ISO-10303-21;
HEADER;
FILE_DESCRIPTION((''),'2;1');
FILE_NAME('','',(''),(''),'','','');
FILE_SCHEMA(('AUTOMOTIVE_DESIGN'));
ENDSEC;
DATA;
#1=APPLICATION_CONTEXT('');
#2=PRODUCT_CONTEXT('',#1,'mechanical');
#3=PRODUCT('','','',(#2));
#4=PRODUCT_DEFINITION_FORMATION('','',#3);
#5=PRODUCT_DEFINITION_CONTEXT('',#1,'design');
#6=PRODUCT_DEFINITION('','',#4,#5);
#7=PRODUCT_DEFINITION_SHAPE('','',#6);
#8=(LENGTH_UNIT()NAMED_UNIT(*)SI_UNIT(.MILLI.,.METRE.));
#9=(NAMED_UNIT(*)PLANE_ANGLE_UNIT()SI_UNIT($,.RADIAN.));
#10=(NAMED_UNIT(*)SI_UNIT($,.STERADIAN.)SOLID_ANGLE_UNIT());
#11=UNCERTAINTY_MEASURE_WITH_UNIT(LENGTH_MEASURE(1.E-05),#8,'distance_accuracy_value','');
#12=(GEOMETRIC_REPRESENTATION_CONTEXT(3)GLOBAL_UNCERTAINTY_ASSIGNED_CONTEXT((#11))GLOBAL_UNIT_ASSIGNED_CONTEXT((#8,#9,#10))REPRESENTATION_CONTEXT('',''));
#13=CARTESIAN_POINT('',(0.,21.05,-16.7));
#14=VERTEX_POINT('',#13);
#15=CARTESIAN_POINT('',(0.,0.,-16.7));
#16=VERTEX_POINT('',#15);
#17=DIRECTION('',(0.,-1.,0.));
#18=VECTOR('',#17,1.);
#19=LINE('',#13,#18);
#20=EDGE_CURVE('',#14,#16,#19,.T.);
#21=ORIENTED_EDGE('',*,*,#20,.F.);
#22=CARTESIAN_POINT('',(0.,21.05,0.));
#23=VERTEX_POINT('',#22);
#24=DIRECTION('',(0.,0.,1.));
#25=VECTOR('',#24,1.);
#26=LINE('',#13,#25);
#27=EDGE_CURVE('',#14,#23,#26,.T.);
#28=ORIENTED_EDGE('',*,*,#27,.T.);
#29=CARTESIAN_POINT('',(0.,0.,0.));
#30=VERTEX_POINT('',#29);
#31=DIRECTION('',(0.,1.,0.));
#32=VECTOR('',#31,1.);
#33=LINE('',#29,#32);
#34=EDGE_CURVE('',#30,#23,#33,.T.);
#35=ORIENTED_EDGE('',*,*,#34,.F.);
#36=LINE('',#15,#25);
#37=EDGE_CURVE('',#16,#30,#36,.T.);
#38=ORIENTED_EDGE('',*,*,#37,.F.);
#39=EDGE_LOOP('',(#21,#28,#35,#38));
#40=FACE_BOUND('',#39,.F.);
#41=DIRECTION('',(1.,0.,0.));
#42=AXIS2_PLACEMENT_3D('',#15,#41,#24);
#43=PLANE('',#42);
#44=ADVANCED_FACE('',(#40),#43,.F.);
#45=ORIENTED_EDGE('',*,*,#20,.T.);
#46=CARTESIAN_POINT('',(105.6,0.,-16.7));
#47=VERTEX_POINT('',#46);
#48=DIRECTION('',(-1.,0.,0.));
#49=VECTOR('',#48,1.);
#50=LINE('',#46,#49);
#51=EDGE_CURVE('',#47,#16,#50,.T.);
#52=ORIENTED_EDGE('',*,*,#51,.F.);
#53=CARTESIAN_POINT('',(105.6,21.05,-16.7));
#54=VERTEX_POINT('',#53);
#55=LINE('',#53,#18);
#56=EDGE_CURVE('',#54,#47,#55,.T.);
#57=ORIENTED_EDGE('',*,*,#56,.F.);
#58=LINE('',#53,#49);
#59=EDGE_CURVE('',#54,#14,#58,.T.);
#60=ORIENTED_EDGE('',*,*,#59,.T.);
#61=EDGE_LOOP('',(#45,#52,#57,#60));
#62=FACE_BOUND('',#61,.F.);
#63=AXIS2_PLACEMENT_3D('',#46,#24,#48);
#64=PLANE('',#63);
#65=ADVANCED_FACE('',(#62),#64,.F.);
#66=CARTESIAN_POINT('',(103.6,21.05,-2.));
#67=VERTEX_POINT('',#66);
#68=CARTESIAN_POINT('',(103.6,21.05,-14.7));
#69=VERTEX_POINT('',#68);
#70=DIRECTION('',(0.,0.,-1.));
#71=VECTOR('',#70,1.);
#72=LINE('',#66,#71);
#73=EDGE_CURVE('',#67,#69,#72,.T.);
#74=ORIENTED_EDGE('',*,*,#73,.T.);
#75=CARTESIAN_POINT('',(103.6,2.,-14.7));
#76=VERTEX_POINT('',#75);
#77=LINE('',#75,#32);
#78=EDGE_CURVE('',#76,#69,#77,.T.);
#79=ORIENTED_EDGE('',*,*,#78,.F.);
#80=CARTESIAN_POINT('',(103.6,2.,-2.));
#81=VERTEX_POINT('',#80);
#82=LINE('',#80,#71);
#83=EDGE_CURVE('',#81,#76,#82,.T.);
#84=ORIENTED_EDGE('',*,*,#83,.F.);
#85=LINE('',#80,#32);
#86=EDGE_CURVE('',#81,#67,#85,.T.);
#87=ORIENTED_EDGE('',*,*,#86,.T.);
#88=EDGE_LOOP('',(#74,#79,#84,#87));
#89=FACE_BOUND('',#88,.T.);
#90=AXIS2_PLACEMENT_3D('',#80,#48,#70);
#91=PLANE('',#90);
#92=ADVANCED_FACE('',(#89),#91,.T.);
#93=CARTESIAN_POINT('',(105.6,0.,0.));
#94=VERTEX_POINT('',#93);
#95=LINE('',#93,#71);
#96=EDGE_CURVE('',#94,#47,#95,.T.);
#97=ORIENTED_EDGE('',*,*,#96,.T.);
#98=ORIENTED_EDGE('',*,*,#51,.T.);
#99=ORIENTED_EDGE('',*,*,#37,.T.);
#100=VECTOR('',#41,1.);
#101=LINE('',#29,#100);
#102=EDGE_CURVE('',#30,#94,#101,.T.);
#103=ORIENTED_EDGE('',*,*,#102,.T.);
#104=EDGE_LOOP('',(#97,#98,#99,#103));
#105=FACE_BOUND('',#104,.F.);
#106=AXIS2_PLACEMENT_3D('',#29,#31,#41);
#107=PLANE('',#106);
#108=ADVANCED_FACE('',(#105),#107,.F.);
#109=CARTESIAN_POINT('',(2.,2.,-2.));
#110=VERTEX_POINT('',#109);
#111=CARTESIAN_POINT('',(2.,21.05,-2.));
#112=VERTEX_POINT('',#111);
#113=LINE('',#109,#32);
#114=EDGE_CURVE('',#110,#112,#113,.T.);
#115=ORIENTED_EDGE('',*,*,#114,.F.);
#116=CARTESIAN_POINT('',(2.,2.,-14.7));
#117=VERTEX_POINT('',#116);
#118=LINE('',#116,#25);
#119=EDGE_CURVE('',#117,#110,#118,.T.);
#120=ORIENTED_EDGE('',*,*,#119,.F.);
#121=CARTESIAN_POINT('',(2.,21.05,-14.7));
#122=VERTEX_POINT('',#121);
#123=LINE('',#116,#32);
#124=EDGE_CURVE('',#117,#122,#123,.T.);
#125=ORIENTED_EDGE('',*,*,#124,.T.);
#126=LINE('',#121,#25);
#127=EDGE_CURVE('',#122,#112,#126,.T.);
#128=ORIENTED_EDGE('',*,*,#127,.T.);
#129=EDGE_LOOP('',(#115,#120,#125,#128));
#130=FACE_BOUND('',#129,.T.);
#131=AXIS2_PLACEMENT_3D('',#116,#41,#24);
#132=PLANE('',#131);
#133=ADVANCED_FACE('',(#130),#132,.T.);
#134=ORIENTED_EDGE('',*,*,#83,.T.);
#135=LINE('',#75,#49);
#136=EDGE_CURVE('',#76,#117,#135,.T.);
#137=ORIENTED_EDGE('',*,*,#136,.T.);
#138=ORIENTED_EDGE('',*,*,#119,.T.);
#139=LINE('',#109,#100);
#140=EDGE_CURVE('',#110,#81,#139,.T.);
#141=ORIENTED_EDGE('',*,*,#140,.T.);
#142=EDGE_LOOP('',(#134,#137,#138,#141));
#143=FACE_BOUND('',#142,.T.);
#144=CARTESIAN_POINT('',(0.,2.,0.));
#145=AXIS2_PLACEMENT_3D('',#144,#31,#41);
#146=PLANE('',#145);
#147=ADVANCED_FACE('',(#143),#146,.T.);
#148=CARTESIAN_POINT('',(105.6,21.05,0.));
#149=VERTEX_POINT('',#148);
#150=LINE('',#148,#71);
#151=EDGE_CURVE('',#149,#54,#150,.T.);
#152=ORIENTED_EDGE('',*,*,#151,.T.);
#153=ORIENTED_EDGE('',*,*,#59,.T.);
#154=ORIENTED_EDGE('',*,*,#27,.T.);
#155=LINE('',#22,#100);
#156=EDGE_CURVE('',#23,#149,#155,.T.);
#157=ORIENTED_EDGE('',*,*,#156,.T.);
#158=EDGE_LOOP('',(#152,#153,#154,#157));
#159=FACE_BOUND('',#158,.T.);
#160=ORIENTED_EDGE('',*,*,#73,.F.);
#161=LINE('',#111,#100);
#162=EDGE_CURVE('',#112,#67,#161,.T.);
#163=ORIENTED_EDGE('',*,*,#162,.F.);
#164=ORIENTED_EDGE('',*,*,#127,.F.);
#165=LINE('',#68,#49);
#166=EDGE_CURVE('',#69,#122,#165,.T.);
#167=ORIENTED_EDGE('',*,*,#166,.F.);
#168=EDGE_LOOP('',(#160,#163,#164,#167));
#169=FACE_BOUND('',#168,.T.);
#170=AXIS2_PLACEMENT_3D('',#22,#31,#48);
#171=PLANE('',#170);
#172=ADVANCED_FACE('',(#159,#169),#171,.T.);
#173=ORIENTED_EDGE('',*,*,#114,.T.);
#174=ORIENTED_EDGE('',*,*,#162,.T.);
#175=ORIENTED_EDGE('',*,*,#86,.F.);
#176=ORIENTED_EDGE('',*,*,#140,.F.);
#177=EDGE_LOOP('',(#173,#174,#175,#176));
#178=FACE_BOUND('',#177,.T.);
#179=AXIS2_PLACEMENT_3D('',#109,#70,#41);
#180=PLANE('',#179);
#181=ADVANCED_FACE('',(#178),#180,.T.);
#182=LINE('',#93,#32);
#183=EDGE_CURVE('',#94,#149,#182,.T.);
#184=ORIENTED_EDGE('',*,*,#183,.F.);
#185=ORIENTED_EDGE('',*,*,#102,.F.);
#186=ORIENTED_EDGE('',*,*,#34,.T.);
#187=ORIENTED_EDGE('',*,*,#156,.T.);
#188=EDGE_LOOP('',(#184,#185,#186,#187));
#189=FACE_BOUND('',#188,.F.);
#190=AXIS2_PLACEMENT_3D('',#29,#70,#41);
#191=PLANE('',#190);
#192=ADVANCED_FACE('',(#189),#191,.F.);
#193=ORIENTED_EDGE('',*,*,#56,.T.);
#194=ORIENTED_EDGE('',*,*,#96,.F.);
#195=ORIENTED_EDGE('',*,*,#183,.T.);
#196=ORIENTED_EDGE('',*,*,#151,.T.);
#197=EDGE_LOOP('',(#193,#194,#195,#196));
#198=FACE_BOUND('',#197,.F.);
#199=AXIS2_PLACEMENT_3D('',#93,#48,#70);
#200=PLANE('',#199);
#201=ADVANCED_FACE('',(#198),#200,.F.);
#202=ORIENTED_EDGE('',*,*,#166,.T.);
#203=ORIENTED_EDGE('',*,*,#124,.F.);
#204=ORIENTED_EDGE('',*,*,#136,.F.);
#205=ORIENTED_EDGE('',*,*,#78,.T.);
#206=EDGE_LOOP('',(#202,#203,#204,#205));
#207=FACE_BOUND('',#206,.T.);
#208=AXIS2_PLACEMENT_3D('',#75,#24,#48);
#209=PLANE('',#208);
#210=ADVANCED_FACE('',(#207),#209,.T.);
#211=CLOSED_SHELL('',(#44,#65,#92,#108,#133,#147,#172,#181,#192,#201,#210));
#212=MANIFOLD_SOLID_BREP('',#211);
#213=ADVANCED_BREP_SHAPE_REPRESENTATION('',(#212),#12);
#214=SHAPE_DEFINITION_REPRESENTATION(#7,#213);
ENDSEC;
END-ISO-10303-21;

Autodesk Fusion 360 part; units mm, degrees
sketch "Sketch1" plane through (0, 0, 0) normal (0, 1, 0) x (1, 0, 0)
  line L0 (0, 0) -> (105.6, 0)
  line L1 (105.6, 0) -> (105.6, 16.7)
  line L2 (105.6, 16.7) -> (0, 16.7)
  line L3 (0, 16.7) -> (0, 0)
  dimension "d1" = 105.6
  dimension "d2" = 16.7
extrude "Extrude1" add sketch "Sketch1" along normal blind 2
sketch "Sketch2" plane through (0, 2, 0) normal (0, 1, 0) x (-1, 0, 0)
  line L0 (0, -16.7) -> (0, 0)
  line L1 (0, 0) -> (-105.6, 0)
  line L2 (-105.6, 0) -> (-105.6, -16.7)
  line L3 (-105.6, -16.7) -> (0, -16.7)
  line L4 (0, 0) -> (-105.6, 0)
  line L5 (-105.6, 0) -> (-105.6, -16.7)
  line L6 (-105.6, -16.7) -> (0, -16.7)
  line L7 (0, -16.7) -> (0, 0)
  line L8 (-2, -2) -> (-103.6, -2)
  line L9 (-103.6, -2) -> (-103.6, -14.7)
  line L10 (-103.6, -14.7) -> (-2, -14.7)
  line L11 (-2, -14.7) -> (-2, -2)
  dimension "d5" = 2
extrude "Extrude2" add sketch "Sketch2" along normal blind 19.05
